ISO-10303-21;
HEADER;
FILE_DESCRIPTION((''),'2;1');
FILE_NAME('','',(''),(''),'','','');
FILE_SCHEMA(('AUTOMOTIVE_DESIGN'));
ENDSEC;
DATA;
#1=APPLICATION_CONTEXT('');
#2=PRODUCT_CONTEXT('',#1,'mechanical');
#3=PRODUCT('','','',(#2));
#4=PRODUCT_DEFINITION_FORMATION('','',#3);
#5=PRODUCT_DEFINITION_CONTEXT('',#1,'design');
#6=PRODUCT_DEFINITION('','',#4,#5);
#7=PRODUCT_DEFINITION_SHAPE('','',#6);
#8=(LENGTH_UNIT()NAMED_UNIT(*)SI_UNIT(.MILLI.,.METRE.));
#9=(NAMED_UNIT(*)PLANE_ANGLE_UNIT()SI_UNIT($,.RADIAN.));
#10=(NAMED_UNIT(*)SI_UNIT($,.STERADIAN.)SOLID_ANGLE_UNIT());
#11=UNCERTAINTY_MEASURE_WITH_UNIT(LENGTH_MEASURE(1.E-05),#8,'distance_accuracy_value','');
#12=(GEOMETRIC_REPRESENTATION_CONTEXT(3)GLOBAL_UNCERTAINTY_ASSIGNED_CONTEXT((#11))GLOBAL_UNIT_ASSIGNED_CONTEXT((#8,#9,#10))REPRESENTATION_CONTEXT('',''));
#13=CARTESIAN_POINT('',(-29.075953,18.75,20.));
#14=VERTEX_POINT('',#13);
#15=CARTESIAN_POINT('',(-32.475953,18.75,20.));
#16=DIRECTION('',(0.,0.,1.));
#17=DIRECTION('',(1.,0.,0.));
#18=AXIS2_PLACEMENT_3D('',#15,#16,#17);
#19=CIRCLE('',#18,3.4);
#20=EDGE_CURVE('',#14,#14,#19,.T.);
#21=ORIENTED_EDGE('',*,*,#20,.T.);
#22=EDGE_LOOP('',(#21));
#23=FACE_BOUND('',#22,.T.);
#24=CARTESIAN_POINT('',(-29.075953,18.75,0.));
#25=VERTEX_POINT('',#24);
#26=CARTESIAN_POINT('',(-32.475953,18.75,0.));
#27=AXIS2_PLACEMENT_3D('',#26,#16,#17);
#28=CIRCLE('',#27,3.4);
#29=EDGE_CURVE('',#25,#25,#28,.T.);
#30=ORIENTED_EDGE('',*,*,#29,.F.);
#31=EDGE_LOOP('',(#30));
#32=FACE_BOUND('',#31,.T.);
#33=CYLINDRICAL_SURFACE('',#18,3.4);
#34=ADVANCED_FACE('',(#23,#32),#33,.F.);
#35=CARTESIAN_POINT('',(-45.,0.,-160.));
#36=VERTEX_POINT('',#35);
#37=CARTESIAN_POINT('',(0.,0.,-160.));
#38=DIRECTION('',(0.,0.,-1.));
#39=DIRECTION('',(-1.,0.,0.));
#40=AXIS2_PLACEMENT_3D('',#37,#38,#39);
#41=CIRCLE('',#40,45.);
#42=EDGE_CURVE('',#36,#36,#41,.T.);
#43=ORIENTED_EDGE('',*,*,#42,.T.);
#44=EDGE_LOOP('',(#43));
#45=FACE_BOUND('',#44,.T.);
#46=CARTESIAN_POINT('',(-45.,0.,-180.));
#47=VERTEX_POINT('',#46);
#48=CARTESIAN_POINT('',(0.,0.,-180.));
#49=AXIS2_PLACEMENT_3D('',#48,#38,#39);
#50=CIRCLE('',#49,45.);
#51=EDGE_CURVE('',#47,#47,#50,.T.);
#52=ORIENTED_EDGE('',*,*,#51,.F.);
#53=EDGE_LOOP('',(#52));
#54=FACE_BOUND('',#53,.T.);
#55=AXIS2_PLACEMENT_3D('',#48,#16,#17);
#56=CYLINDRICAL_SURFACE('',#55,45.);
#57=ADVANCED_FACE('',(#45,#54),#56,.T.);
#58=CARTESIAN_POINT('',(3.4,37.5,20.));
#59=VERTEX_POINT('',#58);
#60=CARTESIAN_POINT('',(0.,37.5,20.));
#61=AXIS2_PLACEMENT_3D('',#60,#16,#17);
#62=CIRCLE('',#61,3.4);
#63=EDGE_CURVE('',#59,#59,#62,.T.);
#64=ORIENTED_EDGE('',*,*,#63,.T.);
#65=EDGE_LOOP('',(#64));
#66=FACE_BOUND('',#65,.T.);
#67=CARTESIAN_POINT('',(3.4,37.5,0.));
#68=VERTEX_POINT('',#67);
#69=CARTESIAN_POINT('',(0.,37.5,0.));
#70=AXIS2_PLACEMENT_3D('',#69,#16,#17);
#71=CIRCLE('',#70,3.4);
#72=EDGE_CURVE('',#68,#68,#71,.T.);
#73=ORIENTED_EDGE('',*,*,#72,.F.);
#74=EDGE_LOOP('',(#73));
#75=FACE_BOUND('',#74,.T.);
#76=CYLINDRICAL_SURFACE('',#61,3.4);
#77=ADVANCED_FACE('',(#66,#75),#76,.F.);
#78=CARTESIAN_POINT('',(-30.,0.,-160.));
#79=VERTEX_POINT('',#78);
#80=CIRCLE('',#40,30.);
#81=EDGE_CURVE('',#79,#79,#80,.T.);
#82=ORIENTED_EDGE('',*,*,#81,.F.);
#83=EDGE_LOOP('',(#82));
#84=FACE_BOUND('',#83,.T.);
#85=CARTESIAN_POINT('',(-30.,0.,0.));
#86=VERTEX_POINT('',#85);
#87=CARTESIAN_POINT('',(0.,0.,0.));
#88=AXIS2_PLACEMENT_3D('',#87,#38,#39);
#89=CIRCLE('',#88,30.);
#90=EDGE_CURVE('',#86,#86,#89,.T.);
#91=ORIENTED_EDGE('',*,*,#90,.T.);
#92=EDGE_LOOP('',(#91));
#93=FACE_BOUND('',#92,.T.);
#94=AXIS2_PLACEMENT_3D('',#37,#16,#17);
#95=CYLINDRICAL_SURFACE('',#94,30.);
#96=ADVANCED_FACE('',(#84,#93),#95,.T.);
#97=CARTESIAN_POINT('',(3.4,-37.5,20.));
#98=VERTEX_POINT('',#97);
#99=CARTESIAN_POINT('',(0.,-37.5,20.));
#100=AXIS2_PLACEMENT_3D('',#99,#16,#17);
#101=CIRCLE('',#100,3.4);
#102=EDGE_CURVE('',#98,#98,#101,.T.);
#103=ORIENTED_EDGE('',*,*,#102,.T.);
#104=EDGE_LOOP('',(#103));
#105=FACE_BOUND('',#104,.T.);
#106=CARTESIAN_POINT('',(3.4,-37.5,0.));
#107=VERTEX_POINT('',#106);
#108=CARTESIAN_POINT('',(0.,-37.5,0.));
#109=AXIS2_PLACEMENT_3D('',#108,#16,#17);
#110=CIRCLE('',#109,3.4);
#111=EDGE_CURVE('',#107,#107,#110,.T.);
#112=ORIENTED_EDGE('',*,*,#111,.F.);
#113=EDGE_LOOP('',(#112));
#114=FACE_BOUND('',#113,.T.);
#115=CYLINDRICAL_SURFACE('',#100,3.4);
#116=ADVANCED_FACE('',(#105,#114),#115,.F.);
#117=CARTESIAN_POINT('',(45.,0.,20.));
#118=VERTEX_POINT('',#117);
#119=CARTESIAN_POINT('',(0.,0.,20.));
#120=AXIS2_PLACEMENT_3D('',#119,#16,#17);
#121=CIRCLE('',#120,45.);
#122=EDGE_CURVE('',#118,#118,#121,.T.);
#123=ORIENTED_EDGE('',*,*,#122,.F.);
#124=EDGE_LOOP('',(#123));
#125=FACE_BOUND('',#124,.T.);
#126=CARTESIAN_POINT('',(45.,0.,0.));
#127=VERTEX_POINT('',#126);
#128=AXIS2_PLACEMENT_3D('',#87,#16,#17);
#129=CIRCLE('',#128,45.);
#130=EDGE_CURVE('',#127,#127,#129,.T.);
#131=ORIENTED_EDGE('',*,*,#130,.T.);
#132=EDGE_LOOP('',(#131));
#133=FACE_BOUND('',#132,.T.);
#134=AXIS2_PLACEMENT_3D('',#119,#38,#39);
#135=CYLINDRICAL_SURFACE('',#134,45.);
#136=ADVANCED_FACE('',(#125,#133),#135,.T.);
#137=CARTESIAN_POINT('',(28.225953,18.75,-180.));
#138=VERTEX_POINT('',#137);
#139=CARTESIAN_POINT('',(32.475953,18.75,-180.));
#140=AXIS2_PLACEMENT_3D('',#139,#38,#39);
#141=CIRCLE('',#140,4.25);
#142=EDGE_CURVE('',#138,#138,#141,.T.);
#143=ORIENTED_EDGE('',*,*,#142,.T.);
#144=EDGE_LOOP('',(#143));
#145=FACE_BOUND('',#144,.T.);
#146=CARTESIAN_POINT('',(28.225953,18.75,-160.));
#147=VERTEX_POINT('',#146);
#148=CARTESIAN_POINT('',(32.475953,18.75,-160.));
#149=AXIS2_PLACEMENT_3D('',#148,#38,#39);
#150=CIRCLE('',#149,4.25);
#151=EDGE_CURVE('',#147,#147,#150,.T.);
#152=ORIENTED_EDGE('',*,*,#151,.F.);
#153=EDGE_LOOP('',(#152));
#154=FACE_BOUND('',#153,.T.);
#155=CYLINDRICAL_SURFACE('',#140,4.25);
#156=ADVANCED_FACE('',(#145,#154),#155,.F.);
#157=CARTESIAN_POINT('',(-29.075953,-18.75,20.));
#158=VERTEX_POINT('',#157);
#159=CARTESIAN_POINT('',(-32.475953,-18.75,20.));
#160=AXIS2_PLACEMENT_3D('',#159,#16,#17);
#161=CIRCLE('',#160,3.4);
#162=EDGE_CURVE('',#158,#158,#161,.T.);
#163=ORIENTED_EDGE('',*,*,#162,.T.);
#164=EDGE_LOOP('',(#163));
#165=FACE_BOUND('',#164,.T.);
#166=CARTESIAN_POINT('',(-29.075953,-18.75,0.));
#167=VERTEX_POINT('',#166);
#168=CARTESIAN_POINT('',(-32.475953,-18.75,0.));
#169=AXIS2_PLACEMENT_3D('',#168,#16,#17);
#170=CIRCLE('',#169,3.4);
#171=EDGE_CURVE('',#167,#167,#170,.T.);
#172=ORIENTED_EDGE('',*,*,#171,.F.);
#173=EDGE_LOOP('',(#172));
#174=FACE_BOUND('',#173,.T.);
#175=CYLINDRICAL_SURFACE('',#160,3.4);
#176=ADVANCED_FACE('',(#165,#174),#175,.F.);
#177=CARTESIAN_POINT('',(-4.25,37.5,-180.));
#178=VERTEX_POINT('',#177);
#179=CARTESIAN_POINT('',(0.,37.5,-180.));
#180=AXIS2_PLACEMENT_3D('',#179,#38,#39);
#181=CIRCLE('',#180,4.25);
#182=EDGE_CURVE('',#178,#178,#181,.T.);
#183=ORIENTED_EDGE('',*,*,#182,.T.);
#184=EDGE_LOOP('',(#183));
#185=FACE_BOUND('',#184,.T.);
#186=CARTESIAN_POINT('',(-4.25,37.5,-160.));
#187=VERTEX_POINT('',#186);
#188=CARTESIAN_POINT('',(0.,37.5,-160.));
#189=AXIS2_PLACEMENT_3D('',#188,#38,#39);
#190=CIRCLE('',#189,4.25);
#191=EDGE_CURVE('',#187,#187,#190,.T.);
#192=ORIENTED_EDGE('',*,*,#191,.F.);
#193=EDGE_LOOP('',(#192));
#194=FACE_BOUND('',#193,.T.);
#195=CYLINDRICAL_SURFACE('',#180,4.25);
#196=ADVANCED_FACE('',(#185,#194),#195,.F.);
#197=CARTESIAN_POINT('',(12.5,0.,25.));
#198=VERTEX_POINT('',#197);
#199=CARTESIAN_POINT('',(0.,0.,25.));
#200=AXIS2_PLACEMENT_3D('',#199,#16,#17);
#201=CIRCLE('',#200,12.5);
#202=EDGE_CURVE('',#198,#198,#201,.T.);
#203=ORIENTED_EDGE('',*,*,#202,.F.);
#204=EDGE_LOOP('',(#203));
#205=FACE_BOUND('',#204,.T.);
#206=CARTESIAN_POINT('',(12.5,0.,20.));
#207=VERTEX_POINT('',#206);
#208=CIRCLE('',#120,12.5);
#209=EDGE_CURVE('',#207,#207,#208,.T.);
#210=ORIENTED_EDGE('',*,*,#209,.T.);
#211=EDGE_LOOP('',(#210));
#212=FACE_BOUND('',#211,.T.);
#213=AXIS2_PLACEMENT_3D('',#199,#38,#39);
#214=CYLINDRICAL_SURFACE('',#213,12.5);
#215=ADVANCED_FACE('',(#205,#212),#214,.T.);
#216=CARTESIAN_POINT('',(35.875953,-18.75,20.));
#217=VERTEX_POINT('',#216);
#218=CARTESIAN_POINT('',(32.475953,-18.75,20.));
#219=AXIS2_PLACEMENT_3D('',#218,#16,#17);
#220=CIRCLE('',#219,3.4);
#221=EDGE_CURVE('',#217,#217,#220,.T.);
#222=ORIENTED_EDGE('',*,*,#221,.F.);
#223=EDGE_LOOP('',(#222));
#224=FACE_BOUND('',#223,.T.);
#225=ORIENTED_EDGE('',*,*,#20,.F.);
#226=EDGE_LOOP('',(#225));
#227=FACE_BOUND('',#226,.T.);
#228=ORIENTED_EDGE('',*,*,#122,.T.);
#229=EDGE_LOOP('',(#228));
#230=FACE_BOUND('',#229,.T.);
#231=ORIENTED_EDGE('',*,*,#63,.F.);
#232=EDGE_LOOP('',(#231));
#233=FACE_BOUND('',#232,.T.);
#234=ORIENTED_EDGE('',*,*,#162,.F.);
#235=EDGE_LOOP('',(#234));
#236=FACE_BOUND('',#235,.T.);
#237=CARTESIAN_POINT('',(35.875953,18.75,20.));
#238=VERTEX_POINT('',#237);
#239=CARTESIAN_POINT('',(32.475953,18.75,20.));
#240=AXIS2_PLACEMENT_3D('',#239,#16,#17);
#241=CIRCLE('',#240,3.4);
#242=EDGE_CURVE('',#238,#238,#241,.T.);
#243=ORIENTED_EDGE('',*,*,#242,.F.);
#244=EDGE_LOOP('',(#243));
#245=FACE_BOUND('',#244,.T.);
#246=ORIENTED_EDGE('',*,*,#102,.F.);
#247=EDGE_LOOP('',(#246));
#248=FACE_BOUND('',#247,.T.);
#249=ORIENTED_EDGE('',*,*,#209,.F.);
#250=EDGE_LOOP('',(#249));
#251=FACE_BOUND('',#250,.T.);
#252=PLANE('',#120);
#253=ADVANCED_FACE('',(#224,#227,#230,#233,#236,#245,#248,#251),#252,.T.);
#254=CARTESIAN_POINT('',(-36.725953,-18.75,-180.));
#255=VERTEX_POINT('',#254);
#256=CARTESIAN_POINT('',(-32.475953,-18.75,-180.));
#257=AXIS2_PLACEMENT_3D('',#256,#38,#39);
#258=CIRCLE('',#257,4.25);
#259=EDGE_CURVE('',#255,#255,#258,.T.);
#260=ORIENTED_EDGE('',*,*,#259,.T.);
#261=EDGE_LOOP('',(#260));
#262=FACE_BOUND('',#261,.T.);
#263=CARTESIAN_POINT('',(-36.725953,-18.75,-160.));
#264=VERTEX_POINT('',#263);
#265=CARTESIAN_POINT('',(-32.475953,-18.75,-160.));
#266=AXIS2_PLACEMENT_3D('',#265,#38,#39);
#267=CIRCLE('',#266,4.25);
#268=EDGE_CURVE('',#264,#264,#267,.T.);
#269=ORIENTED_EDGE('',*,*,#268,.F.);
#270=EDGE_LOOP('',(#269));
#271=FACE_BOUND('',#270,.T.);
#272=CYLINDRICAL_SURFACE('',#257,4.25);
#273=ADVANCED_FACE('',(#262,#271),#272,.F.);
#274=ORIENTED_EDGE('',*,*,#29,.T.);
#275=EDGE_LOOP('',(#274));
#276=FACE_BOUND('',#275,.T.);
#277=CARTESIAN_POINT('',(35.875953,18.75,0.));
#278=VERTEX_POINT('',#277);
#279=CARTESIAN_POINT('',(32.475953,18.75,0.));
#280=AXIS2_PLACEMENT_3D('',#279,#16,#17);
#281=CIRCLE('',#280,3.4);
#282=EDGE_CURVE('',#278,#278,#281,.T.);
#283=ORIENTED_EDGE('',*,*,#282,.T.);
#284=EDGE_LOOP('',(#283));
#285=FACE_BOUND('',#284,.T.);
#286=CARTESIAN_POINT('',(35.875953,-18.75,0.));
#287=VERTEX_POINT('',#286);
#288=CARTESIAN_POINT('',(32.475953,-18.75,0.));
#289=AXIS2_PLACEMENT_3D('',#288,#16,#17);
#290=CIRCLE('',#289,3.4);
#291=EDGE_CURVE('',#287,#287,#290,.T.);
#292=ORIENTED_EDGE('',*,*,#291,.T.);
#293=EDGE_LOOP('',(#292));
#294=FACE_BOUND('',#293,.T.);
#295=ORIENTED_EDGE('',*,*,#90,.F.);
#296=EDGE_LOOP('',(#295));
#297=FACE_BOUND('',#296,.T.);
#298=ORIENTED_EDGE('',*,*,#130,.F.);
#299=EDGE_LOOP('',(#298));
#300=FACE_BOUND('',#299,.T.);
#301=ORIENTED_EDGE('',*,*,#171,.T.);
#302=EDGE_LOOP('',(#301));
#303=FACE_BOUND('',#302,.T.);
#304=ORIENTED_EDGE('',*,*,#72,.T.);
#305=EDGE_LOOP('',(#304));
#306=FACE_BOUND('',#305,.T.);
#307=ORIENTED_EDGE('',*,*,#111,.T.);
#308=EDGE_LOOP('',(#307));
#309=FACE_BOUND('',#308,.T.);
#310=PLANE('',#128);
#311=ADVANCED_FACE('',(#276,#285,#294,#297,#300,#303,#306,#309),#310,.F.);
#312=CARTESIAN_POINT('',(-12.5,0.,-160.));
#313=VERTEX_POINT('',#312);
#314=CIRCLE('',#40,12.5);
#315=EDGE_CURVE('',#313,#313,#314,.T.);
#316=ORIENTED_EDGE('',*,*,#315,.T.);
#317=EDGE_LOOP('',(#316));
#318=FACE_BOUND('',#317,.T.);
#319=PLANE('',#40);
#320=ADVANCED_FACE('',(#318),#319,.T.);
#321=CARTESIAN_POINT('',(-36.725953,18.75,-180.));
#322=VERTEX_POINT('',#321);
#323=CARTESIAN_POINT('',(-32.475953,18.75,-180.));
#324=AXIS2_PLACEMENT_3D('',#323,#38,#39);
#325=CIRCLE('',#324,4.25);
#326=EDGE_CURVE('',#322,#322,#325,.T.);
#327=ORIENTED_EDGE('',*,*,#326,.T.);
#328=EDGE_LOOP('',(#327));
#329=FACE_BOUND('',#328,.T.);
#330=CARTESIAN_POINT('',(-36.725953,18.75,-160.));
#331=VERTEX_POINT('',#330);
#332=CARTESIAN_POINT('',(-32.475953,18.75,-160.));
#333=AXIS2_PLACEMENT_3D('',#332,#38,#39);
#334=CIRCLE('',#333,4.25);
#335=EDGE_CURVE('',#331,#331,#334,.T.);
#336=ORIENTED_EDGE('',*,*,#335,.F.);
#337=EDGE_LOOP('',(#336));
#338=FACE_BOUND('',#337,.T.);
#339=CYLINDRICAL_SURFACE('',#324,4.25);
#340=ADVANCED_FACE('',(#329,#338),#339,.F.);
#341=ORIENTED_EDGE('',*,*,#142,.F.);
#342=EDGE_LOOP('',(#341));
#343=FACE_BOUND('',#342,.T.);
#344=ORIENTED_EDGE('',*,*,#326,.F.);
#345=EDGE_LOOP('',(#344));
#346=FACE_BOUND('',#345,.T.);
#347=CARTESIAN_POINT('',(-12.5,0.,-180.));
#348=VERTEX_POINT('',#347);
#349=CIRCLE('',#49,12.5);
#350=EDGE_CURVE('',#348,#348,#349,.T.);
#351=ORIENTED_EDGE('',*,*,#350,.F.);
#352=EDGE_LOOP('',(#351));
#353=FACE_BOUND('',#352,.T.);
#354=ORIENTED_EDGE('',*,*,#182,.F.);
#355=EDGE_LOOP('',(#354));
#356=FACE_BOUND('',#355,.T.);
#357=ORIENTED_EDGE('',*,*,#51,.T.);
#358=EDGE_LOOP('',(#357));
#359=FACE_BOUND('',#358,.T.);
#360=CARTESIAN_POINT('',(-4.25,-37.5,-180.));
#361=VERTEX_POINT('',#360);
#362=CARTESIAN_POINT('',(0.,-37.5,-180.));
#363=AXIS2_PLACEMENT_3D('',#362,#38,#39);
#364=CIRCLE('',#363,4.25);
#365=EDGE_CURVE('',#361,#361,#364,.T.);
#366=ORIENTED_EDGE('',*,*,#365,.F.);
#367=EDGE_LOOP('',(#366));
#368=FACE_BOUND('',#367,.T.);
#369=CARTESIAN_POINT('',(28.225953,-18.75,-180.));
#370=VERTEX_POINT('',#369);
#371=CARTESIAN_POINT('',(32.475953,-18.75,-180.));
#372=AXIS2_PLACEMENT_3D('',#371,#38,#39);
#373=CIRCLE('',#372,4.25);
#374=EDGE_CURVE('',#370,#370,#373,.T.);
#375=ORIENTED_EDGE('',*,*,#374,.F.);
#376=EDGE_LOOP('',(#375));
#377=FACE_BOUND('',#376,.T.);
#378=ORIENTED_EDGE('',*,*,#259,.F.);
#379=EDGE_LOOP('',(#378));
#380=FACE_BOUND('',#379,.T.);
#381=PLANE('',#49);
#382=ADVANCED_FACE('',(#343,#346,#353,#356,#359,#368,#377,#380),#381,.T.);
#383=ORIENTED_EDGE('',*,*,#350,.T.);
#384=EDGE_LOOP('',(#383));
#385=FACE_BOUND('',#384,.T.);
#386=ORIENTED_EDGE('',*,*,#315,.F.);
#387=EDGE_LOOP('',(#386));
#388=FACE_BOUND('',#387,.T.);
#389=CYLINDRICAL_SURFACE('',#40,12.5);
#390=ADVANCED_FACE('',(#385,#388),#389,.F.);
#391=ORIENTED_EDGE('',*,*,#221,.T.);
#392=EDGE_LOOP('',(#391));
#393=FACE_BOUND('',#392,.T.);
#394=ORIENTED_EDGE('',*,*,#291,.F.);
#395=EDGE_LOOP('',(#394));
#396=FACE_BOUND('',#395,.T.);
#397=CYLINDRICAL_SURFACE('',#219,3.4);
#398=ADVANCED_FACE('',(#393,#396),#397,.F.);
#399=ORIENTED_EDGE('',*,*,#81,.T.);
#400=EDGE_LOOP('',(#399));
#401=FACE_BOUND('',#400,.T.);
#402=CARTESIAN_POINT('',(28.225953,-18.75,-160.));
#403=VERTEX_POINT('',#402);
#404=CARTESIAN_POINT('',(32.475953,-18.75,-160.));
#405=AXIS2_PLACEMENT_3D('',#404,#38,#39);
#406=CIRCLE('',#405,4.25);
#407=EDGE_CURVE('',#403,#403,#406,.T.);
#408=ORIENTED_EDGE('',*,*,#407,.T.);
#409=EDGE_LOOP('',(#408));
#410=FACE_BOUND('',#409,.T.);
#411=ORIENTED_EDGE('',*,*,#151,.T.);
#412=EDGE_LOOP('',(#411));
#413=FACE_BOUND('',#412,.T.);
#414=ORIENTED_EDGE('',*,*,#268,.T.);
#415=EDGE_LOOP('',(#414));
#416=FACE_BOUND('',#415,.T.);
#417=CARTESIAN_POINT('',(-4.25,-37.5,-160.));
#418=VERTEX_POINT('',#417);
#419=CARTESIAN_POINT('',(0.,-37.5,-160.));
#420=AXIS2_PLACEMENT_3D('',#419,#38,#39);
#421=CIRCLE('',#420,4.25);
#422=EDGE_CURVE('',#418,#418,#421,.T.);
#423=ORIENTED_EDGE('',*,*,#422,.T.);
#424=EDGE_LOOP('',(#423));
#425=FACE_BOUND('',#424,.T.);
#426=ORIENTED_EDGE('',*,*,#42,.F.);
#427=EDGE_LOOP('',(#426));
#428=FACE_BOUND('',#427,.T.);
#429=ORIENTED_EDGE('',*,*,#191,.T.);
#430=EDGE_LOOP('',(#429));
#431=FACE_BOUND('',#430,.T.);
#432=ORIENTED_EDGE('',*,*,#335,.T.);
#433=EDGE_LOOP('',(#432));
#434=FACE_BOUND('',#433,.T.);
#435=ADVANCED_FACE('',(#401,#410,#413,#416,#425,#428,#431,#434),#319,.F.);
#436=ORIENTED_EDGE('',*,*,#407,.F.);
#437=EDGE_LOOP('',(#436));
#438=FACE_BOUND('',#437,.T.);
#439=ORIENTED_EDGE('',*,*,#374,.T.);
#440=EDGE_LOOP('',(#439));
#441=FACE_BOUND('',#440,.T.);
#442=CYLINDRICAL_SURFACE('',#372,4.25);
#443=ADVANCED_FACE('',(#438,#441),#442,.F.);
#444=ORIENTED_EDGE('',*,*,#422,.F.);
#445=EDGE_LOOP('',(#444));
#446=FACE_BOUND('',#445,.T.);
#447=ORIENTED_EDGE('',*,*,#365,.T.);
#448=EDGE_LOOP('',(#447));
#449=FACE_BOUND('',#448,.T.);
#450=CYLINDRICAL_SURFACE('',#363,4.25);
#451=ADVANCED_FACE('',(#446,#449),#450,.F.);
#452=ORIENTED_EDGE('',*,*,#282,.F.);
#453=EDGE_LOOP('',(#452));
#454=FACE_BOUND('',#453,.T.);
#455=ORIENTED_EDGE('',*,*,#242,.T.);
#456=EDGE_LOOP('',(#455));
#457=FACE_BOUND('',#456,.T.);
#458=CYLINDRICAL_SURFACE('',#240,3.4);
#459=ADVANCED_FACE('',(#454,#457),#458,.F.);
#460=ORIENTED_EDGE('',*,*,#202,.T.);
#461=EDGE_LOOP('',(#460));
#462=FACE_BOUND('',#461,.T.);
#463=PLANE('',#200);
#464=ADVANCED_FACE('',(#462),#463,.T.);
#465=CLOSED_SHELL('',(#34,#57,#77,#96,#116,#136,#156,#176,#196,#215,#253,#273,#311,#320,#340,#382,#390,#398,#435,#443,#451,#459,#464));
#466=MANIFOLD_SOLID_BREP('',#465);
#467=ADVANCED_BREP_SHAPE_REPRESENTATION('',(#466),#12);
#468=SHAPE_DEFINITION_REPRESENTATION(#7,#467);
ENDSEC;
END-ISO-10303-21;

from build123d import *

# Parameters (mm, degrees)
SKETCH1_R                      = 45
BOSS_EXTRUDE1_DEPTH            = 20
SKETCH2_R                      = 30
BOSS_EXTRUDE2_DEPTH            = 160
SKETCH3_R                      = 45
BOSS_EXTRUDE3_DEPTH            = 20
SKETCH4_R                      = 12.5
BOSS_EXTRUDE4_DEPTH            = 5
M8X1_25_TAPPED_HOLE1_REACH     = 202
M8X1_25_TAPPED_HOLE1_BORE_R    = 3.4
CIRPATTERN1_COUNT              = 6
F_8_5_8_5_DIAMETER_HOLE1_D     = 8.5
F_8_5_8_5_DIAMETER_HOLE1_DEPTH = 20.001
CIRPATTERN2_COUNT              = 6
SKETCH11_R                     = 12.5
CUT_EXTRUDE1_DEPTH             = 20


with BuildPart() as part:
    # Sketch1 → Boss-Extrude1 (new body)
    with BuildSketch(Plane.XY):
        Circle(SKETCH1_R)
    extrude(amount=BOSS_EXTRUDE1_DEPTH)

    # Sketch2 → Boss-Extrude2 (add)
    with BuildSketch(Plane(origin=(0, 0, 0), x_dir=(-1, 0, 0), z_dir=(0, 0, -1))):
        Circle(SKETCH2_R)
    extrude(amount=BOSS_EXTRUDE2_DEPTH)

    # Sketch3 → Boss-Extrude3 (add)
    with BuildSketch(Plane(origin=(0, 0, -160), x_dir=(-1, 0, 0), z_dir=(0, 0, -1))):
        with Locations(Location((0, 0, 0), (0, 0, 180))):  # turned: the seam where the file's is
            Circle(SKETCH3_R)
    extrude(amount=BOSS_EXTRUDE3_DEPTH)

    # Sketch4 → Boss-Extrude4 (add)
    with BuildSketch(Plane.XY.offset(20)):
        Circle(SKETCH4_R)
    extrude(amount=BOSS_EXTRUDE4_DEPTH)

    # M8x1.25 Tapped Hole1 bore → M8x1.25 Tapped Hole1 (cut, up to next)
    with BuildSketch(Plane.XY.offset(20), mode=Mode.PRIVATE) as m8x1_25_tapped_hole1_sk1:
        with Locations((0, 37.5)):
            Circle(M8X1_25_TAPPED_HOLE1_BORE_R)
    m8x1_25_tapped_hole1_tool1 = extrude(m8x1_25_tapped_hole1_sk1.sketch, amount=-M8X1_25_TAPPED_HOLE1_REACH, mode=Mode.PRIVATE) & part.part
    m8x1_25_tapped_hole1 = m8x1_25_tapped_hole1_tool1.solids().sort_by_distance((0, 37.5, 20))[0]
    add(m8x1_25_tapped_hole1, mode=Mode.SUBTRACT)

    # CirPattern1: M8x1.25 Tapped Hole1 ×6 about axis
    cirpattern1_axis = Axis((0, 0, 0), (0, 0, 1))
    for i in range(1, CIRPATTERN1_COUNT):
        add(m8x1_25_tapped_hole1.rotate(cirpattern1_axis, i * 360 / CIRPATTERN1_COUNT), mode=Mode.SUBTRACT)

    # Ø8.5 (8.5) Diameter Hole1
    with Locations(Plane(origin=(0, 0, -180), x_dir=(-1, 0, 0), z_dir=(0, 0, -1))):
        with Locations((0, 37.5)):
            f_8_5_8_5_diameter_hole1 = Hole(F_8_5_8_5_DIAMETER_HOLE1_D / 2, depth=F_8_5_8_5_DIAMETER_HOLE1_DEPTH)

    # CirPattern2: Ø8.5 (8.5) Diameter Hole1 ×6 about axis
    cirpattern2_axis = Axis((0, 0, 0), (0, 0, 1))
    for i in range(1, CIRPATTERN2_COUNT):
        add(f_8_5_8_5_diameter_hole1.rotate(cirpattern2_axis, i * 360 / CIRPATTERN2_COUNT), mode=Mode.SUBTRACT)

    # Sketch11 → Cut-Extrude1 (cut)
    with BuildSketch(Plane(origin=(0, 0, -180), x_dir=(-1, 0, 0), z_dir=(0, 0, -1))):
        with Locations(Location((0, 0, 0), (0, 0, 180))):  # turned: the seam where the file's is
            Circle(SKETCH11_R)
    extrude(amount=-CUT_EXTRUDE1_DEPTH, mode=Mode.SUBTRACT)


solid = part.part
